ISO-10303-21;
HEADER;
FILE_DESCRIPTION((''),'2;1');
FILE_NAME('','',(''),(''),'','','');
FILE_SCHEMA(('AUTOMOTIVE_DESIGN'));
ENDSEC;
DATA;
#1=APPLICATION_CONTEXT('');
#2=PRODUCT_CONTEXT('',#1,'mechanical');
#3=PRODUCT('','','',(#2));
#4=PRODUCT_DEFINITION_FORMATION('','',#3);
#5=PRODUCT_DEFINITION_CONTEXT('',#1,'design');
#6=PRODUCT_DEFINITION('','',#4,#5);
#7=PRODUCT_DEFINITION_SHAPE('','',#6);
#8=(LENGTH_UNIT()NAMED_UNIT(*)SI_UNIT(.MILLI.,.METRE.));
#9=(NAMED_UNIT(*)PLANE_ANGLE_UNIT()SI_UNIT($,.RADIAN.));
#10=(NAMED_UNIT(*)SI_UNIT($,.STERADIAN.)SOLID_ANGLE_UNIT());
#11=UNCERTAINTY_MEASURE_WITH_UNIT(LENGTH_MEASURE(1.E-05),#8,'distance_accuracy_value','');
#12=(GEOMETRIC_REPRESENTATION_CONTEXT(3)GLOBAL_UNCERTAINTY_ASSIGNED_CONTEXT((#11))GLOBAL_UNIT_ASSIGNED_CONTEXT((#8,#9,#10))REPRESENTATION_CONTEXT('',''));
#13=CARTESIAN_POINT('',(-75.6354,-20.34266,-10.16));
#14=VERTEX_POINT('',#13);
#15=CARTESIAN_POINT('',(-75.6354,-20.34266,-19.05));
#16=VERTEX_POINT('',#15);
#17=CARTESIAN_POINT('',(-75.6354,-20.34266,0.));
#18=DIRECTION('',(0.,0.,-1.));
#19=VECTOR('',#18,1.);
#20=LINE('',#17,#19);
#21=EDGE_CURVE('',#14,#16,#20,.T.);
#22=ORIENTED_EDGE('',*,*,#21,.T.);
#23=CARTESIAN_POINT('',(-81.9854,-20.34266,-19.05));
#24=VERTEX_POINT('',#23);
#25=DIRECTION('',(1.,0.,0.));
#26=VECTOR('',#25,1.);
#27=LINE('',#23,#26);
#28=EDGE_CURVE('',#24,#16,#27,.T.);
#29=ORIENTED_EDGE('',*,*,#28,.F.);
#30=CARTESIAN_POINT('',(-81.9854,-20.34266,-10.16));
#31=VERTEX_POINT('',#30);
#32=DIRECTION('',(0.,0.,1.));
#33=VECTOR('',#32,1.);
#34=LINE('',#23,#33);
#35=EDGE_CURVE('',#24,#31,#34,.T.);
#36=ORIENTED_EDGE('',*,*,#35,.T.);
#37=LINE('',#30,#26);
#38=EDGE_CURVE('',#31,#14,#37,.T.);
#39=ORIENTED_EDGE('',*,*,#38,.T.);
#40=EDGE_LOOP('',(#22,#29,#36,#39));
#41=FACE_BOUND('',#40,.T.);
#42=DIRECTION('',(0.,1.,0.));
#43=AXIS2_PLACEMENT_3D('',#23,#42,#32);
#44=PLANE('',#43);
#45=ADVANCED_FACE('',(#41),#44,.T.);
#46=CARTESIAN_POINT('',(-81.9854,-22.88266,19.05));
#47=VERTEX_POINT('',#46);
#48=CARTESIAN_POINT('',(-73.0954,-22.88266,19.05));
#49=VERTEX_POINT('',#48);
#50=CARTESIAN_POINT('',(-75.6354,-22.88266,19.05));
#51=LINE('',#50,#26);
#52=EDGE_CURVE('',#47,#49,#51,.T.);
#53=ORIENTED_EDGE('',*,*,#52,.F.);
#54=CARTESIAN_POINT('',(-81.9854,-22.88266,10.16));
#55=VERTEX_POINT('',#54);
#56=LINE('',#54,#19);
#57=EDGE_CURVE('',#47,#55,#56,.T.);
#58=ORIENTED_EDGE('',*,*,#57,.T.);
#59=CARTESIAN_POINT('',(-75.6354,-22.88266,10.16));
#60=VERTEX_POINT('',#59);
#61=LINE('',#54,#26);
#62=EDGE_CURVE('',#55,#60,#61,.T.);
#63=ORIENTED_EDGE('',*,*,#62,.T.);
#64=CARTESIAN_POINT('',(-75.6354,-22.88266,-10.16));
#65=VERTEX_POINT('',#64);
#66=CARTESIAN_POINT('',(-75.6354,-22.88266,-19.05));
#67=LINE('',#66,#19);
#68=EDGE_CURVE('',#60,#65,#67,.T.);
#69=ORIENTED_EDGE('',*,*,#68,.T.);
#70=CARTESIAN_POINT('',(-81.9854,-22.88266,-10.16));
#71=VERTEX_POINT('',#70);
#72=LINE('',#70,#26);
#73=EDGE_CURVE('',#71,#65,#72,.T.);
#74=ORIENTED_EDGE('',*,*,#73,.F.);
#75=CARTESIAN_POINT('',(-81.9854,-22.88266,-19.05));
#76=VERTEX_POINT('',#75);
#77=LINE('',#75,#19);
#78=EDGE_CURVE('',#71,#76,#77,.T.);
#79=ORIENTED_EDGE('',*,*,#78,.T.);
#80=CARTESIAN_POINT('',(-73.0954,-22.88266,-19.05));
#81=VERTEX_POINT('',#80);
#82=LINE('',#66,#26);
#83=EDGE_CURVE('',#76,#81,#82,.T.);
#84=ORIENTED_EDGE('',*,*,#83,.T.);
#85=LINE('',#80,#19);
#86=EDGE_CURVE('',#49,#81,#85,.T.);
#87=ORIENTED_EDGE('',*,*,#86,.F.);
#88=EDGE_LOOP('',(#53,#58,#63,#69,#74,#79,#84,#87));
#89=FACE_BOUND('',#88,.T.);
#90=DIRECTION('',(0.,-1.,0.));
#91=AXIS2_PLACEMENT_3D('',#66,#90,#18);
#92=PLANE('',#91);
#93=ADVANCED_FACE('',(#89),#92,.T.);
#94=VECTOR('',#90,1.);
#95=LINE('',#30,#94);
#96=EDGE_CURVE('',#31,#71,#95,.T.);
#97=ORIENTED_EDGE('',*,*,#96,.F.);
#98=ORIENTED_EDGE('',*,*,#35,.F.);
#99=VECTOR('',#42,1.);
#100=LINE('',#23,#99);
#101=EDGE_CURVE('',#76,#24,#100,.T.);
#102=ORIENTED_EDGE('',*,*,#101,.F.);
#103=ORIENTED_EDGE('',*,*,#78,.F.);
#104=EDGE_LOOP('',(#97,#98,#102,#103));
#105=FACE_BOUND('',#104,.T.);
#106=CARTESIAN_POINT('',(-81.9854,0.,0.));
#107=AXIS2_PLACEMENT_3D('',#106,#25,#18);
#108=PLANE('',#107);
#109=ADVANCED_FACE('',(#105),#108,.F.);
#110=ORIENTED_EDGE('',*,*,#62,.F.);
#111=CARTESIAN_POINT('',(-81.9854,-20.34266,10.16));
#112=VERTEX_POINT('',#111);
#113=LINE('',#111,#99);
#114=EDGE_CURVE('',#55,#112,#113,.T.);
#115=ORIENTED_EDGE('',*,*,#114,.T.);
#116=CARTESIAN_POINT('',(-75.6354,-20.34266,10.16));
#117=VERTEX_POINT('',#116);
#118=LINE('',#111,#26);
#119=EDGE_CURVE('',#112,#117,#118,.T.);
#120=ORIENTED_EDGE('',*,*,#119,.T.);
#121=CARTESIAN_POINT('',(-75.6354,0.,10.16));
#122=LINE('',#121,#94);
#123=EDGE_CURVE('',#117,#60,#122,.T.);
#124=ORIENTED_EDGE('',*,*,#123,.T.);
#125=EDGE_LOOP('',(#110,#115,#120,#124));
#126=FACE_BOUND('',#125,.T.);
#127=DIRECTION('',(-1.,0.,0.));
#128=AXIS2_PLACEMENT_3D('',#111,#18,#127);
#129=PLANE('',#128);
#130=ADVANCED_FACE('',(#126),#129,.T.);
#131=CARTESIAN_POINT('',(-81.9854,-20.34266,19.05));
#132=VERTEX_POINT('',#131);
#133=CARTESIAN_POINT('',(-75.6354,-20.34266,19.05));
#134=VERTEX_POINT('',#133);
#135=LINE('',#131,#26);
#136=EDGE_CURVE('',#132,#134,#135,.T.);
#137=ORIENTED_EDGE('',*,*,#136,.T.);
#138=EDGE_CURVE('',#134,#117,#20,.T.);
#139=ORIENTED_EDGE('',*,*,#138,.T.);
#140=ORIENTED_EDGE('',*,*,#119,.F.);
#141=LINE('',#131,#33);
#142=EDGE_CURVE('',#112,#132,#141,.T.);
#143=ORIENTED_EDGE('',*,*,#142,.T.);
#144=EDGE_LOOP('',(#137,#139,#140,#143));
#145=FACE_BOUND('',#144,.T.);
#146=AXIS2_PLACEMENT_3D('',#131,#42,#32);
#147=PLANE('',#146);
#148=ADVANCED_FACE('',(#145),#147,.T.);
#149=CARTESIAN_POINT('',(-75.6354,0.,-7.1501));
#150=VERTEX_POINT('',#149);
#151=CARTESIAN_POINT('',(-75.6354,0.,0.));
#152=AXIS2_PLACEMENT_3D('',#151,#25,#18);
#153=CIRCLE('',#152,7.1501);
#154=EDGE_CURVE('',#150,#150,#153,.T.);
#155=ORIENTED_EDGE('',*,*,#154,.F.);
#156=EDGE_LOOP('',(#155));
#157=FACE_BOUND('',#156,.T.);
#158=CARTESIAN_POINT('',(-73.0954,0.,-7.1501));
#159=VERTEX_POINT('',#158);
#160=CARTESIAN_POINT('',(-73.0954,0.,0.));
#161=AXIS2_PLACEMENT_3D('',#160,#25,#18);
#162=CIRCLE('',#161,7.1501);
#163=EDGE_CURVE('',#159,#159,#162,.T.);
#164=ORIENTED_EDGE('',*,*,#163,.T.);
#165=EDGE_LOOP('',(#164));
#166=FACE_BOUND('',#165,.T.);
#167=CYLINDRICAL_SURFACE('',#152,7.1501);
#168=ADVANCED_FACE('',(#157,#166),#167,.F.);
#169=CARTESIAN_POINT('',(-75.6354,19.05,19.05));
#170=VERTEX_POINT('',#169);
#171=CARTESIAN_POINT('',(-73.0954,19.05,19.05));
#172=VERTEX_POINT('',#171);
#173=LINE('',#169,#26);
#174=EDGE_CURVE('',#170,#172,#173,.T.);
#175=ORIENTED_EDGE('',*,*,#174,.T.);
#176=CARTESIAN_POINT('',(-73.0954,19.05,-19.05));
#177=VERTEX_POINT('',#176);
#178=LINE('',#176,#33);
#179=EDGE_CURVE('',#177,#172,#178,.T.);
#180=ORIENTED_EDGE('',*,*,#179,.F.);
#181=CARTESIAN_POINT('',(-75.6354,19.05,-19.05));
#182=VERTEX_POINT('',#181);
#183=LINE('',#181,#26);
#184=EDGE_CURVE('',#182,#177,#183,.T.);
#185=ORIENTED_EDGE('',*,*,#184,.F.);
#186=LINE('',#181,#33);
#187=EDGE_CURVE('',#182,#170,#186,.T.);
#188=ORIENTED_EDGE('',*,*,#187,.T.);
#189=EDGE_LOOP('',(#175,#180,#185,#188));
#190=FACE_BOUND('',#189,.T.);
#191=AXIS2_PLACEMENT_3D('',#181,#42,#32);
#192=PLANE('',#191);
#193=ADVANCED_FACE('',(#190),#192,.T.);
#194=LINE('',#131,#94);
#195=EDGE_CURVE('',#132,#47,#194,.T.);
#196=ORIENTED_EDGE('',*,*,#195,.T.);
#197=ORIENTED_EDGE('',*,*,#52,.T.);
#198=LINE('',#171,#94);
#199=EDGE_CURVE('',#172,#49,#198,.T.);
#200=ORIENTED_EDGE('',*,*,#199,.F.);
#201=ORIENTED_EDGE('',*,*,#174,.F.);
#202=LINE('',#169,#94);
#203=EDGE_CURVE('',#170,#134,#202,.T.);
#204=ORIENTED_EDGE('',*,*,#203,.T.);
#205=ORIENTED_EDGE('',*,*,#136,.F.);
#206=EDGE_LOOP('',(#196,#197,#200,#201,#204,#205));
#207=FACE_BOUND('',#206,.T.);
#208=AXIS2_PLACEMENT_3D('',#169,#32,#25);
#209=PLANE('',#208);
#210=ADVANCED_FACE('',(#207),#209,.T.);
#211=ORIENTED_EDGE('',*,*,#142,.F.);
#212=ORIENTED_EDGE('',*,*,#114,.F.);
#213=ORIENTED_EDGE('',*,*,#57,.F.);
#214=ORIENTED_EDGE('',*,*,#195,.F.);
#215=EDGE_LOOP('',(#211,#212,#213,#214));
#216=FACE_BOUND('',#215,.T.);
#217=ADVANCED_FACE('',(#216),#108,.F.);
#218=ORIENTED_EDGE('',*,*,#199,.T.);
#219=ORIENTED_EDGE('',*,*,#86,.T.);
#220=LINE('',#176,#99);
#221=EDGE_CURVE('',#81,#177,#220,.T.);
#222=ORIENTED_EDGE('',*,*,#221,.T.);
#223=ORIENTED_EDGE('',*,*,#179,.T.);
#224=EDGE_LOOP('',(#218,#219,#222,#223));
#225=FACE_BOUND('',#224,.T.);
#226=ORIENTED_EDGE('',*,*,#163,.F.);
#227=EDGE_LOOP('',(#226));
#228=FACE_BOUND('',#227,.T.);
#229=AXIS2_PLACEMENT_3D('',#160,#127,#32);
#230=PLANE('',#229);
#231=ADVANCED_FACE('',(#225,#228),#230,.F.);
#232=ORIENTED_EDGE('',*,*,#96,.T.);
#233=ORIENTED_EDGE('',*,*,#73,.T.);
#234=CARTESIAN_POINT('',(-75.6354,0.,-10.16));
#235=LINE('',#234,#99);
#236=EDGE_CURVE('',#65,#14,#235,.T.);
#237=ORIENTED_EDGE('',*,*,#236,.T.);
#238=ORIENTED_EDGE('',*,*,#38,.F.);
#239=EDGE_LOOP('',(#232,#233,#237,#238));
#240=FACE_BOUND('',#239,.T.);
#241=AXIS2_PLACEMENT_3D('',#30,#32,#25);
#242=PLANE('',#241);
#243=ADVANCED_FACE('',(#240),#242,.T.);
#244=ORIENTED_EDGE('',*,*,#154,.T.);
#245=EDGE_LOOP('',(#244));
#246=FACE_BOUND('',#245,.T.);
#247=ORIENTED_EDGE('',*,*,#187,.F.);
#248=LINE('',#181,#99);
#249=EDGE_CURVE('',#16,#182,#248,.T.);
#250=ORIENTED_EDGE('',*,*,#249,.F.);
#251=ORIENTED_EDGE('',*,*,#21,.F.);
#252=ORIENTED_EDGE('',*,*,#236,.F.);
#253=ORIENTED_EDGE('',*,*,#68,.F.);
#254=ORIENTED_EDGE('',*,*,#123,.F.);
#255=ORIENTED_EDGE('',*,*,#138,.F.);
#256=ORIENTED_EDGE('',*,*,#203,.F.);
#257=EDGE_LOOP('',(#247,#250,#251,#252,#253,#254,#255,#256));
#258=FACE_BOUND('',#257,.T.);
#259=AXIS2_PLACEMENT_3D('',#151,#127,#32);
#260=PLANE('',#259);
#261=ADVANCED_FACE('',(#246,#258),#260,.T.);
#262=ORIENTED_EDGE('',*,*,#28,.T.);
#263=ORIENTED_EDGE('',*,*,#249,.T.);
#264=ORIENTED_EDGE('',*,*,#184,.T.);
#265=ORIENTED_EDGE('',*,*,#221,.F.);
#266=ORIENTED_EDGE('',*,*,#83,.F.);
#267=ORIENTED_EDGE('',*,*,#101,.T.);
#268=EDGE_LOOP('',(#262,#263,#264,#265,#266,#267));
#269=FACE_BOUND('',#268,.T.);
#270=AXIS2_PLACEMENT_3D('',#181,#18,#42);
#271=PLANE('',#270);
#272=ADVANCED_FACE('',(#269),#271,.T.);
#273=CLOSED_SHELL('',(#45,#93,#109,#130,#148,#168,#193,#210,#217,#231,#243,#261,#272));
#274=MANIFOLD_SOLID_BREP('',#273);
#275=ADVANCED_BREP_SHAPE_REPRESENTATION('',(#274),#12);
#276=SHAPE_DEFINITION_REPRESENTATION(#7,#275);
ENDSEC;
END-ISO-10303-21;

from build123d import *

# Parameters (mm, degrees)
SKETCH3_W           = 38.1
SKETCH3_H           = 41.932660102
SKETCH3_R           = 7.1501
BOSS_EXTRUDE1_DEPTH = 2.54
SKETCH4_W           = 8.89
SKETCH4_H           = 2.54
BOSS_EXTRUDE2_DEPTH = 8.89


with BuildPart() as part:
    # Sketch3 → Boss-Extrude1 (new body)
    with BuildSketch(Plane(origin=(-73.0954, 0, 0), x_dir=(0, 0, -1), z_dir=(1, 0, 0))):
        with Locations((0, -1.916330051)):
            Rectangle(SKETCH3_W, SKETCH3_H)
        Circle(SKETCH3_R, mode=Mode.SUBTRACT)
    extrude(amount=-BOSS_EXTRUDE1_DEPTH)

    # Sketch4 → Boss-Extrude2 (add)
    with BuildSketch(Plane(origin=(-73.0954, 0, 0), x_dir=(0, 0, -1), z_dir=(1, 0, 0))):
        with Locations((14.605, -21.612660102)):
            Rectangle(SKETCH4_W, SKETCH4_H)
        with Locations((-14.605, -21.612660102)):
            Rectangle(SKETCH4_W, SKETCH4_H)
    extrude(amount=-BOSS_EXTRUDE2_DEPTH)


solid = part.part
